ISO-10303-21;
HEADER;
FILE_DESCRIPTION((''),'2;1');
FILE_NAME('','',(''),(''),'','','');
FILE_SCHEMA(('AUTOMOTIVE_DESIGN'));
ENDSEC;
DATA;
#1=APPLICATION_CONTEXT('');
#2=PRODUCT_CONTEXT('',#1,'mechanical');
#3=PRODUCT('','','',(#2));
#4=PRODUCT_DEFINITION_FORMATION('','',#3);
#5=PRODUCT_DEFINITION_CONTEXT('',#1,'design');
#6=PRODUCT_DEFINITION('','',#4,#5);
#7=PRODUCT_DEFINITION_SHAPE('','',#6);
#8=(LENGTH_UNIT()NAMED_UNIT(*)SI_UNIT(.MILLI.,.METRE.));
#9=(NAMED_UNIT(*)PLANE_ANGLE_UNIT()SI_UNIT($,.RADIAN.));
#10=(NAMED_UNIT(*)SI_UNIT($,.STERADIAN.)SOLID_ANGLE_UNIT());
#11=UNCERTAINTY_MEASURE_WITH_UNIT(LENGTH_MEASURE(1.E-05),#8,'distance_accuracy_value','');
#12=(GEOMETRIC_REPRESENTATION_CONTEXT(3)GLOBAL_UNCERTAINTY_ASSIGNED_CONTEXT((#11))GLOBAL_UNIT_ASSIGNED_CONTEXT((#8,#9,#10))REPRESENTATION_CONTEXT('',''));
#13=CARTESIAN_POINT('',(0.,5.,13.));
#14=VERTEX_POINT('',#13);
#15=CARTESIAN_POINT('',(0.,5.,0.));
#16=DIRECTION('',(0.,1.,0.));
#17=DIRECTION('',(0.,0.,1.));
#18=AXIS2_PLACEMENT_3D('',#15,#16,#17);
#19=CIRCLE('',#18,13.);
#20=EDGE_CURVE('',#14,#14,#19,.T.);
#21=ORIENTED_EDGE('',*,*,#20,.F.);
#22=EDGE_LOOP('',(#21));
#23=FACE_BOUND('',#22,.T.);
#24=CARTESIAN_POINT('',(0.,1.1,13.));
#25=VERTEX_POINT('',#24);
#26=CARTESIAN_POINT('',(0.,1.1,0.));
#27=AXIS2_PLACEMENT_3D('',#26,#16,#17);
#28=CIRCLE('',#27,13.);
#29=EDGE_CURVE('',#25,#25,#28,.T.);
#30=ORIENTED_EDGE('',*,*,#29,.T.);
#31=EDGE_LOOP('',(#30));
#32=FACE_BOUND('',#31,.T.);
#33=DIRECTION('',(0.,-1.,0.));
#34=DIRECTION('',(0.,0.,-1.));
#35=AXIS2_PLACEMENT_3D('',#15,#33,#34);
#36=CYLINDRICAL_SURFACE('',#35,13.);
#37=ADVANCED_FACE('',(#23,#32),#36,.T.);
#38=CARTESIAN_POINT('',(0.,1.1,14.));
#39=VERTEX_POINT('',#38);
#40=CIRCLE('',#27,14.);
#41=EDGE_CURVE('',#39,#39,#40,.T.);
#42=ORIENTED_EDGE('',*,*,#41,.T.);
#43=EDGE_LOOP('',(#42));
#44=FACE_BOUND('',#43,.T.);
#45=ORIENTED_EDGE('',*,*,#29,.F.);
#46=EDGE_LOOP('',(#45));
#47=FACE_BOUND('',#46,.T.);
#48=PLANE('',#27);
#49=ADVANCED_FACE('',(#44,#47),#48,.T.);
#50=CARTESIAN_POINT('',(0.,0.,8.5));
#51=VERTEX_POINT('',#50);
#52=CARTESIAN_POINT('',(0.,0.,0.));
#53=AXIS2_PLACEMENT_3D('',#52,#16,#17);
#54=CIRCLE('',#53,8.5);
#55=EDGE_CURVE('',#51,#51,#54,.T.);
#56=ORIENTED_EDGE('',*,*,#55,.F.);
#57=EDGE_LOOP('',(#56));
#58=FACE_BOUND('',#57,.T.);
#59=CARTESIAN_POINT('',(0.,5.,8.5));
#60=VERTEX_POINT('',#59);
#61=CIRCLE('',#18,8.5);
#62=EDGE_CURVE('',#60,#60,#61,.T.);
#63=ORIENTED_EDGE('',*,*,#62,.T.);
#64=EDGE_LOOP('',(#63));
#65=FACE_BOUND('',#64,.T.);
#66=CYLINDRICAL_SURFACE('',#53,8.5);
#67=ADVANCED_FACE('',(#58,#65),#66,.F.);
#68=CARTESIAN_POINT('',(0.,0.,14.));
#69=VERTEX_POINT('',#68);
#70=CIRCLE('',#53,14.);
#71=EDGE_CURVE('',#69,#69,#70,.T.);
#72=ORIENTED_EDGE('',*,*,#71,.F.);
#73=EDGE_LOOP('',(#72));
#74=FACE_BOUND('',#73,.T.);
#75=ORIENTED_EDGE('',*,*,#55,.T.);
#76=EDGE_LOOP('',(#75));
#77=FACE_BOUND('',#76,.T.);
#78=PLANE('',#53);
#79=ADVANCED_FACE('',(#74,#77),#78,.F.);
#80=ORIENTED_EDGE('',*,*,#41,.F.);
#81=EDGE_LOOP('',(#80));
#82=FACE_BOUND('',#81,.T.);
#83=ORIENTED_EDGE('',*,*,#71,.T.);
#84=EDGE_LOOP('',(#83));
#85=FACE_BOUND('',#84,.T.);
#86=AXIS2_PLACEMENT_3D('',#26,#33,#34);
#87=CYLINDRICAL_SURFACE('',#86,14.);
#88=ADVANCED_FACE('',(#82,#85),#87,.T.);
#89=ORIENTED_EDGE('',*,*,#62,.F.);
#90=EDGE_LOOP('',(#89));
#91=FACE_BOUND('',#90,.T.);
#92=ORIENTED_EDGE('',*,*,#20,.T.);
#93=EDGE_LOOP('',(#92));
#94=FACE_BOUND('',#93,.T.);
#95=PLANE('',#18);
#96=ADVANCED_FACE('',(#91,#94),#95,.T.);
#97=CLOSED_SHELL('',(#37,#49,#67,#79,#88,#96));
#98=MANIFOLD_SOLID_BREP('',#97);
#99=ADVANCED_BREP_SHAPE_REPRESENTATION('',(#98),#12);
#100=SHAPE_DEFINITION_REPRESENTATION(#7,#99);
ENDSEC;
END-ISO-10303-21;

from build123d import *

# Parameters (mm, degrees)
SKETCH_2_R          = 14
EXTRUDE_1_DEPTH     = 1.1
SKETCH_3_R          = 13
EXTRUDE_2_DEPTH     = 3.9
SKETCH_4_R          = 8.5
CUT_EXTRUDE_1_DEPTH = 6


with BuildPart() as part:
    # 草图2 → 凸台-拉伸1 (new body)
    with BuildSketch(Plane(origin=(0, 0, 0), x_dir=(1, 0, 0), z_dir=(0, 1, 0))):
        Circle(SKETCH_2_R)
    extrude(amount=EXTRUDE_1_DEPTH)

    # 草图3 → 凸台-拉伸2 (add)
    with BuildSketch(Plane(origin=(0, 1.1, 0), x_dir=(1, 0, 0), z_dir=(0, 1, 0))):
        Circle(SKETCH_3_R)
    extrude(amount=EXTRUDE_2_DEPTH)

    # 草图4 → 切除-拉伸1 (cut, through all)
    with BuildSketch(Plane(origin=(0, 5, 0), x_dir=(1, 0, 0), z_dir=(0, 1, 0))):
        Circle(SKETCH_4_R)
    extrude(amount=-CUT_EXTRUDE_1_DEPTH, mode=Mode.SUBTRACT)


solid = part.part
